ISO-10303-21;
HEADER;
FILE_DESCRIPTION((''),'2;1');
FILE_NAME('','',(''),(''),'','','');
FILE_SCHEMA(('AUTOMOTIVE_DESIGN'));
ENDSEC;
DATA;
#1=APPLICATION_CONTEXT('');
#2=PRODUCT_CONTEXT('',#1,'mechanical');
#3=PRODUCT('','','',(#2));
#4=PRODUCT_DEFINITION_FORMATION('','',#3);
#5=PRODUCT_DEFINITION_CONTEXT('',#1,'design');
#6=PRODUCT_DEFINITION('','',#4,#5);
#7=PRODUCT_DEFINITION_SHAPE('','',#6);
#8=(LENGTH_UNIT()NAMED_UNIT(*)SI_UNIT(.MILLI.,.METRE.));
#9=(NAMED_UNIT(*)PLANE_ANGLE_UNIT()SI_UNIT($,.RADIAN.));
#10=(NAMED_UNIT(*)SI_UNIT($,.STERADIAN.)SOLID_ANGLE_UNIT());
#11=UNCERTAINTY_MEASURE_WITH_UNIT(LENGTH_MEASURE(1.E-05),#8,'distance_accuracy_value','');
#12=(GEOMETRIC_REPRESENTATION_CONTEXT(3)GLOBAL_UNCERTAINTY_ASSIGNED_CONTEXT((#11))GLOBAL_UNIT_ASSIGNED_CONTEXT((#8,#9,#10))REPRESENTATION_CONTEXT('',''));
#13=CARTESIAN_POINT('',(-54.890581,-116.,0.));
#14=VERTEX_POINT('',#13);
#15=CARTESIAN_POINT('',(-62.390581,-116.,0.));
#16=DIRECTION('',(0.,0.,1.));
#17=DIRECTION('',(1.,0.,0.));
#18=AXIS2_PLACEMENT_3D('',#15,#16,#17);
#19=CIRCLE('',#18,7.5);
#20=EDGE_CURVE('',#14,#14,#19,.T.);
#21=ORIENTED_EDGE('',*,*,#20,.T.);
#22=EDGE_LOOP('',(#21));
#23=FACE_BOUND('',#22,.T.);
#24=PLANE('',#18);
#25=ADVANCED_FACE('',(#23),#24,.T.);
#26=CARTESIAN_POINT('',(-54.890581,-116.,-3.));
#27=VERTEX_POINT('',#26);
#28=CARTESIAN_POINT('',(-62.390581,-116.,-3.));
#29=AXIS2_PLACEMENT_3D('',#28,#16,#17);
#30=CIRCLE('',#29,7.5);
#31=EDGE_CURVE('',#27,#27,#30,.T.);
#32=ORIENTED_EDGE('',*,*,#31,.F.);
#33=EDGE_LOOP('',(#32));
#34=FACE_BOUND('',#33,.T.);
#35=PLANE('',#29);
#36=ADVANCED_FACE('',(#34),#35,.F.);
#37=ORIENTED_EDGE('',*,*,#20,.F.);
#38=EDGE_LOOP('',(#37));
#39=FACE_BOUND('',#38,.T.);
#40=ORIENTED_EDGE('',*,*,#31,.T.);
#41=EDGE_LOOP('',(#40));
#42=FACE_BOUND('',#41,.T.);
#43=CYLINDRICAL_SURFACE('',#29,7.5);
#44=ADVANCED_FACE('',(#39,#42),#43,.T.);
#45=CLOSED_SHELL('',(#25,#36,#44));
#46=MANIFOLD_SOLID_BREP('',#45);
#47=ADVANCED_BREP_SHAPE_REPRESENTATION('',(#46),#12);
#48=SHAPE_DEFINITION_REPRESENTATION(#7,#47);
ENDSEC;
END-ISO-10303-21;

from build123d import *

# Parameters (mm, degrees)
SKETCH1_R           = 7.5
BOSS_EXTRUDE1_DEPTH = 3


with BuildPart() as part:
    # Sketch1 → Boss-Extrude1 (new body)
    with BuildSketch(Plane.XY):
        with Locations((-62.390580796, -116)):
            Circle(SKETCH1_R)
    extrude(amount=-BOSS_EXTRUDE1_DEPTH)


solid = part.part
